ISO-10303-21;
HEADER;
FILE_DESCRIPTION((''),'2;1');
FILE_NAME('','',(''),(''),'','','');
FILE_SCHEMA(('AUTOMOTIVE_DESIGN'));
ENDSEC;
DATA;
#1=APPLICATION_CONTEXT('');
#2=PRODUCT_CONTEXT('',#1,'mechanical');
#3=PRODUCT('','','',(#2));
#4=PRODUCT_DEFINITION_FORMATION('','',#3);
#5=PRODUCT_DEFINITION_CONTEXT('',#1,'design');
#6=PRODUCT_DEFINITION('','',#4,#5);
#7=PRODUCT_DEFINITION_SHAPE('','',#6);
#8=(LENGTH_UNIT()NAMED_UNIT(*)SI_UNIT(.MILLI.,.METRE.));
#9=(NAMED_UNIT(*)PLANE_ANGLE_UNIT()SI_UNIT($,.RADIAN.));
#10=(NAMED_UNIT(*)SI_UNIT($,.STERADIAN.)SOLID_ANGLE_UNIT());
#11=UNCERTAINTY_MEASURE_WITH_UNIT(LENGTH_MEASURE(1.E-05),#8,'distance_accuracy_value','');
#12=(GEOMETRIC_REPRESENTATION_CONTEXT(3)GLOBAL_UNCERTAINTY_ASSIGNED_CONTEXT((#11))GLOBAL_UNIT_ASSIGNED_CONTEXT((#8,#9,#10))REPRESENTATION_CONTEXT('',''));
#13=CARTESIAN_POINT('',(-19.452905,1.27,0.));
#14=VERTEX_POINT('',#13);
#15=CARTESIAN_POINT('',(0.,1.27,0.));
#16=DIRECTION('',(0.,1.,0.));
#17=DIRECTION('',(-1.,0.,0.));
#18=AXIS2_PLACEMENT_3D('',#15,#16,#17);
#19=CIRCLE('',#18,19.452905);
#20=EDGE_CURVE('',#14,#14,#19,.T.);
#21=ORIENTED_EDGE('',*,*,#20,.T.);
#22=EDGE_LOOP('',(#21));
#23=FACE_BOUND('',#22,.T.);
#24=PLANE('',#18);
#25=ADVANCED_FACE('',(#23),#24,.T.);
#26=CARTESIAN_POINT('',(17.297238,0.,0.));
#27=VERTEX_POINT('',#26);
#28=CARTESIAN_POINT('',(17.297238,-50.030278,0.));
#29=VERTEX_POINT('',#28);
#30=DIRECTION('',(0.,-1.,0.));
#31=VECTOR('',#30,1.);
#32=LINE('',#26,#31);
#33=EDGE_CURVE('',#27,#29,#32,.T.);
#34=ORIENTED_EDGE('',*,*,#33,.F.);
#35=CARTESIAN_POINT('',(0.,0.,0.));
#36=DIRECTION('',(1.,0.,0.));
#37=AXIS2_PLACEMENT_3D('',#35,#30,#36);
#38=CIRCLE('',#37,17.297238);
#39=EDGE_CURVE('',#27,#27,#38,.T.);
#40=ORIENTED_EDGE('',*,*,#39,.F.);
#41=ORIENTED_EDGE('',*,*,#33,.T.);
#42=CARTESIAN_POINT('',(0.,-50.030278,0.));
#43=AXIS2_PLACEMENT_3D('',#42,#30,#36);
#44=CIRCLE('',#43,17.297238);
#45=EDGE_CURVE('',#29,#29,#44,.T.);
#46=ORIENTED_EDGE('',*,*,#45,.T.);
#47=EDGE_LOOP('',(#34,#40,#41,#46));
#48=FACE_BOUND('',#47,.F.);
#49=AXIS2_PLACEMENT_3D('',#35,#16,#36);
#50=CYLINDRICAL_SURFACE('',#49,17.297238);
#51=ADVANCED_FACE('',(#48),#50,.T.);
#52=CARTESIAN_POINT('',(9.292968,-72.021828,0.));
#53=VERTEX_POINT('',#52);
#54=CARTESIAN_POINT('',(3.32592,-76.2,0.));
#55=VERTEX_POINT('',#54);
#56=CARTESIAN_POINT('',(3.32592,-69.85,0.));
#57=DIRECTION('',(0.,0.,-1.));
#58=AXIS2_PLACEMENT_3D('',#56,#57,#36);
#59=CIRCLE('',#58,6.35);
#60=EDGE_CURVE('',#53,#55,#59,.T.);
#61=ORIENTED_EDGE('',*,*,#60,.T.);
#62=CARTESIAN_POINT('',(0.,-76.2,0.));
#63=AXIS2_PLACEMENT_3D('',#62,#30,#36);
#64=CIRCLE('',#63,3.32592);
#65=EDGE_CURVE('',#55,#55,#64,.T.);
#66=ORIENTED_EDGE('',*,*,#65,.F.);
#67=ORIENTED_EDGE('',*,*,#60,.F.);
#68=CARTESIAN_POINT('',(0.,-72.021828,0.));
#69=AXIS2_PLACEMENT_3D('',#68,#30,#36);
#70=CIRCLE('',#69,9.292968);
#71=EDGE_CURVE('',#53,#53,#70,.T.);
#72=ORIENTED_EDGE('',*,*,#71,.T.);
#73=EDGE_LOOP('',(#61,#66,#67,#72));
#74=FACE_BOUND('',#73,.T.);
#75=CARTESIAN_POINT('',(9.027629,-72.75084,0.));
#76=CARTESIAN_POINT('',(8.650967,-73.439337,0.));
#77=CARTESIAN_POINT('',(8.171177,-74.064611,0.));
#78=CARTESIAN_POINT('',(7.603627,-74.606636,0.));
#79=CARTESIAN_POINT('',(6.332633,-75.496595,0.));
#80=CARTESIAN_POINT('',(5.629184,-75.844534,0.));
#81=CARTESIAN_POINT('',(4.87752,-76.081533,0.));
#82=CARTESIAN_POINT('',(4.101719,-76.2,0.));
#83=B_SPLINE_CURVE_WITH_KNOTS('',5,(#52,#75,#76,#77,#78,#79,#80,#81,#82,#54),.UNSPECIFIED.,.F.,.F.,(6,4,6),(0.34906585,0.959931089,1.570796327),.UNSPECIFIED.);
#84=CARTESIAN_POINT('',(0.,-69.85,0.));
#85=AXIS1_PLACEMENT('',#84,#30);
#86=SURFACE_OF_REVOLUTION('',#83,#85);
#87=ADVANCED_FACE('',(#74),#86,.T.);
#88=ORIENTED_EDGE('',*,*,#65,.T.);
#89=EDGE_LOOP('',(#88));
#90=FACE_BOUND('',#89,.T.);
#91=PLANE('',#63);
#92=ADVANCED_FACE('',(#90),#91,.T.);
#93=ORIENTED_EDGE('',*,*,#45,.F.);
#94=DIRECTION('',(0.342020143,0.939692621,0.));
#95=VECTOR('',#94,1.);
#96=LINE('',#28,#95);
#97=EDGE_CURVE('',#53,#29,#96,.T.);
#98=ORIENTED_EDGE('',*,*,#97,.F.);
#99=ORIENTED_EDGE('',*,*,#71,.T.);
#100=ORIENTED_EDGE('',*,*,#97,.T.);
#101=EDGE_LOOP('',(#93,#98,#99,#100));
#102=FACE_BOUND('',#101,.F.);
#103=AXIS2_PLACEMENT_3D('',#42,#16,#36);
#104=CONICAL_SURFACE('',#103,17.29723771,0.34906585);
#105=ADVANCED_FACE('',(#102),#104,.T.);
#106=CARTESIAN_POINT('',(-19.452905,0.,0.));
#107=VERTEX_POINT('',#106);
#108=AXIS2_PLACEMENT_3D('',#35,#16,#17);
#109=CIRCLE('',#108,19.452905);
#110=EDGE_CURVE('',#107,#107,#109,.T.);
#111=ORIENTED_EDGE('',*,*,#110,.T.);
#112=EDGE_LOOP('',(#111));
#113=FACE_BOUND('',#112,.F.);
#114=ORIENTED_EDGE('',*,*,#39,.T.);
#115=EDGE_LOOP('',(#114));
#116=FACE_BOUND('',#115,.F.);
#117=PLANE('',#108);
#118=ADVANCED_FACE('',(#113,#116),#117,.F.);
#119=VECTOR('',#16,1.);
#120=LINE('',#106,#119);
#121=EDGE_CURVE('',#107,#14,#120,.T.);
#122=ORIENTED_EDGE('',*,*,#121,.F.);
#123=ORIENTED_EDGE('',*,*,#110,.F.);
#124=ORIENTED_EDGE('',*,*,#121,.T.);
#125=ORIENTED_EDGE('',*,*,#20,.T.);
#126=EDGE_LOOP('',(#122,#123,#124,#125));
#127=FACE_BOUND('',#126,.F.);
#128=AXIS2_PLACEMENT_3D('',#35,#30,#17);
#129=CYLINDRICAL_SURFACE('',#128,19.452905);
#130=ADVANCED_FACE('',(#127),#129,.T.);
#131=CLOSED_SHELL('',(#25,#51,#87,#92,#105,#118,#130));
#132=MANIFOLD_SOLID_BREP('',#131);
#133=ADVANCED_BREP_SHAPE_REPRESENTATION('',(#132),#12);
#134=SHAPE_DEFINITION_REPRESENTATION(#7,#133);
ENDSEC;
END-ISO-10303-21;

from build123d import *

# Parameters (mm, degrees)
F0_R     = 17.2972377105
F1_DEPTH = 76.2
F2_SIZE2 = 26.1697224203
F2_SIZE  = 9.525
F3_R     = 6.35
F4_R     = 19.4529047129
F5_DEPTH = 1.27


with BuildPart() as f1:
    # F0 (on Front) → F1 (new body)
    with BuildSketch(Plane.XZ):
        Circle(F0_R)
    extrude(amount=F1_DEPTH)

    # F2
    f2_edges = [f1.edges().sort_by_distance(p)[0] for p in [
        (-17.297238, -76.2, 0),
    ]]
    f2_side = f1.faces().sort_by_distance((0, -76.2, 0))[0]
    chamfer(f2_edges, length=F2_SIZE, length2=F2_SIZE2, reference=f2_side)

    # F3
    f3_edges = [f1.edges().sort_by_distance(p)[0] for p in [
        (-7.772238, -76.2, 0),
    ]]
    fillet(f3_edges, radius=F3_R)

    # F4 (on face) → F5 (join)
    with BuildSketch(Plane(origin=(0, 0, 0), x_dir=(-1, 0, 0), z_dir=(0, 1, 0))):
        Circle(F4_R)
    extrude(amount=F5_DEPTH)


solid = f1.part
